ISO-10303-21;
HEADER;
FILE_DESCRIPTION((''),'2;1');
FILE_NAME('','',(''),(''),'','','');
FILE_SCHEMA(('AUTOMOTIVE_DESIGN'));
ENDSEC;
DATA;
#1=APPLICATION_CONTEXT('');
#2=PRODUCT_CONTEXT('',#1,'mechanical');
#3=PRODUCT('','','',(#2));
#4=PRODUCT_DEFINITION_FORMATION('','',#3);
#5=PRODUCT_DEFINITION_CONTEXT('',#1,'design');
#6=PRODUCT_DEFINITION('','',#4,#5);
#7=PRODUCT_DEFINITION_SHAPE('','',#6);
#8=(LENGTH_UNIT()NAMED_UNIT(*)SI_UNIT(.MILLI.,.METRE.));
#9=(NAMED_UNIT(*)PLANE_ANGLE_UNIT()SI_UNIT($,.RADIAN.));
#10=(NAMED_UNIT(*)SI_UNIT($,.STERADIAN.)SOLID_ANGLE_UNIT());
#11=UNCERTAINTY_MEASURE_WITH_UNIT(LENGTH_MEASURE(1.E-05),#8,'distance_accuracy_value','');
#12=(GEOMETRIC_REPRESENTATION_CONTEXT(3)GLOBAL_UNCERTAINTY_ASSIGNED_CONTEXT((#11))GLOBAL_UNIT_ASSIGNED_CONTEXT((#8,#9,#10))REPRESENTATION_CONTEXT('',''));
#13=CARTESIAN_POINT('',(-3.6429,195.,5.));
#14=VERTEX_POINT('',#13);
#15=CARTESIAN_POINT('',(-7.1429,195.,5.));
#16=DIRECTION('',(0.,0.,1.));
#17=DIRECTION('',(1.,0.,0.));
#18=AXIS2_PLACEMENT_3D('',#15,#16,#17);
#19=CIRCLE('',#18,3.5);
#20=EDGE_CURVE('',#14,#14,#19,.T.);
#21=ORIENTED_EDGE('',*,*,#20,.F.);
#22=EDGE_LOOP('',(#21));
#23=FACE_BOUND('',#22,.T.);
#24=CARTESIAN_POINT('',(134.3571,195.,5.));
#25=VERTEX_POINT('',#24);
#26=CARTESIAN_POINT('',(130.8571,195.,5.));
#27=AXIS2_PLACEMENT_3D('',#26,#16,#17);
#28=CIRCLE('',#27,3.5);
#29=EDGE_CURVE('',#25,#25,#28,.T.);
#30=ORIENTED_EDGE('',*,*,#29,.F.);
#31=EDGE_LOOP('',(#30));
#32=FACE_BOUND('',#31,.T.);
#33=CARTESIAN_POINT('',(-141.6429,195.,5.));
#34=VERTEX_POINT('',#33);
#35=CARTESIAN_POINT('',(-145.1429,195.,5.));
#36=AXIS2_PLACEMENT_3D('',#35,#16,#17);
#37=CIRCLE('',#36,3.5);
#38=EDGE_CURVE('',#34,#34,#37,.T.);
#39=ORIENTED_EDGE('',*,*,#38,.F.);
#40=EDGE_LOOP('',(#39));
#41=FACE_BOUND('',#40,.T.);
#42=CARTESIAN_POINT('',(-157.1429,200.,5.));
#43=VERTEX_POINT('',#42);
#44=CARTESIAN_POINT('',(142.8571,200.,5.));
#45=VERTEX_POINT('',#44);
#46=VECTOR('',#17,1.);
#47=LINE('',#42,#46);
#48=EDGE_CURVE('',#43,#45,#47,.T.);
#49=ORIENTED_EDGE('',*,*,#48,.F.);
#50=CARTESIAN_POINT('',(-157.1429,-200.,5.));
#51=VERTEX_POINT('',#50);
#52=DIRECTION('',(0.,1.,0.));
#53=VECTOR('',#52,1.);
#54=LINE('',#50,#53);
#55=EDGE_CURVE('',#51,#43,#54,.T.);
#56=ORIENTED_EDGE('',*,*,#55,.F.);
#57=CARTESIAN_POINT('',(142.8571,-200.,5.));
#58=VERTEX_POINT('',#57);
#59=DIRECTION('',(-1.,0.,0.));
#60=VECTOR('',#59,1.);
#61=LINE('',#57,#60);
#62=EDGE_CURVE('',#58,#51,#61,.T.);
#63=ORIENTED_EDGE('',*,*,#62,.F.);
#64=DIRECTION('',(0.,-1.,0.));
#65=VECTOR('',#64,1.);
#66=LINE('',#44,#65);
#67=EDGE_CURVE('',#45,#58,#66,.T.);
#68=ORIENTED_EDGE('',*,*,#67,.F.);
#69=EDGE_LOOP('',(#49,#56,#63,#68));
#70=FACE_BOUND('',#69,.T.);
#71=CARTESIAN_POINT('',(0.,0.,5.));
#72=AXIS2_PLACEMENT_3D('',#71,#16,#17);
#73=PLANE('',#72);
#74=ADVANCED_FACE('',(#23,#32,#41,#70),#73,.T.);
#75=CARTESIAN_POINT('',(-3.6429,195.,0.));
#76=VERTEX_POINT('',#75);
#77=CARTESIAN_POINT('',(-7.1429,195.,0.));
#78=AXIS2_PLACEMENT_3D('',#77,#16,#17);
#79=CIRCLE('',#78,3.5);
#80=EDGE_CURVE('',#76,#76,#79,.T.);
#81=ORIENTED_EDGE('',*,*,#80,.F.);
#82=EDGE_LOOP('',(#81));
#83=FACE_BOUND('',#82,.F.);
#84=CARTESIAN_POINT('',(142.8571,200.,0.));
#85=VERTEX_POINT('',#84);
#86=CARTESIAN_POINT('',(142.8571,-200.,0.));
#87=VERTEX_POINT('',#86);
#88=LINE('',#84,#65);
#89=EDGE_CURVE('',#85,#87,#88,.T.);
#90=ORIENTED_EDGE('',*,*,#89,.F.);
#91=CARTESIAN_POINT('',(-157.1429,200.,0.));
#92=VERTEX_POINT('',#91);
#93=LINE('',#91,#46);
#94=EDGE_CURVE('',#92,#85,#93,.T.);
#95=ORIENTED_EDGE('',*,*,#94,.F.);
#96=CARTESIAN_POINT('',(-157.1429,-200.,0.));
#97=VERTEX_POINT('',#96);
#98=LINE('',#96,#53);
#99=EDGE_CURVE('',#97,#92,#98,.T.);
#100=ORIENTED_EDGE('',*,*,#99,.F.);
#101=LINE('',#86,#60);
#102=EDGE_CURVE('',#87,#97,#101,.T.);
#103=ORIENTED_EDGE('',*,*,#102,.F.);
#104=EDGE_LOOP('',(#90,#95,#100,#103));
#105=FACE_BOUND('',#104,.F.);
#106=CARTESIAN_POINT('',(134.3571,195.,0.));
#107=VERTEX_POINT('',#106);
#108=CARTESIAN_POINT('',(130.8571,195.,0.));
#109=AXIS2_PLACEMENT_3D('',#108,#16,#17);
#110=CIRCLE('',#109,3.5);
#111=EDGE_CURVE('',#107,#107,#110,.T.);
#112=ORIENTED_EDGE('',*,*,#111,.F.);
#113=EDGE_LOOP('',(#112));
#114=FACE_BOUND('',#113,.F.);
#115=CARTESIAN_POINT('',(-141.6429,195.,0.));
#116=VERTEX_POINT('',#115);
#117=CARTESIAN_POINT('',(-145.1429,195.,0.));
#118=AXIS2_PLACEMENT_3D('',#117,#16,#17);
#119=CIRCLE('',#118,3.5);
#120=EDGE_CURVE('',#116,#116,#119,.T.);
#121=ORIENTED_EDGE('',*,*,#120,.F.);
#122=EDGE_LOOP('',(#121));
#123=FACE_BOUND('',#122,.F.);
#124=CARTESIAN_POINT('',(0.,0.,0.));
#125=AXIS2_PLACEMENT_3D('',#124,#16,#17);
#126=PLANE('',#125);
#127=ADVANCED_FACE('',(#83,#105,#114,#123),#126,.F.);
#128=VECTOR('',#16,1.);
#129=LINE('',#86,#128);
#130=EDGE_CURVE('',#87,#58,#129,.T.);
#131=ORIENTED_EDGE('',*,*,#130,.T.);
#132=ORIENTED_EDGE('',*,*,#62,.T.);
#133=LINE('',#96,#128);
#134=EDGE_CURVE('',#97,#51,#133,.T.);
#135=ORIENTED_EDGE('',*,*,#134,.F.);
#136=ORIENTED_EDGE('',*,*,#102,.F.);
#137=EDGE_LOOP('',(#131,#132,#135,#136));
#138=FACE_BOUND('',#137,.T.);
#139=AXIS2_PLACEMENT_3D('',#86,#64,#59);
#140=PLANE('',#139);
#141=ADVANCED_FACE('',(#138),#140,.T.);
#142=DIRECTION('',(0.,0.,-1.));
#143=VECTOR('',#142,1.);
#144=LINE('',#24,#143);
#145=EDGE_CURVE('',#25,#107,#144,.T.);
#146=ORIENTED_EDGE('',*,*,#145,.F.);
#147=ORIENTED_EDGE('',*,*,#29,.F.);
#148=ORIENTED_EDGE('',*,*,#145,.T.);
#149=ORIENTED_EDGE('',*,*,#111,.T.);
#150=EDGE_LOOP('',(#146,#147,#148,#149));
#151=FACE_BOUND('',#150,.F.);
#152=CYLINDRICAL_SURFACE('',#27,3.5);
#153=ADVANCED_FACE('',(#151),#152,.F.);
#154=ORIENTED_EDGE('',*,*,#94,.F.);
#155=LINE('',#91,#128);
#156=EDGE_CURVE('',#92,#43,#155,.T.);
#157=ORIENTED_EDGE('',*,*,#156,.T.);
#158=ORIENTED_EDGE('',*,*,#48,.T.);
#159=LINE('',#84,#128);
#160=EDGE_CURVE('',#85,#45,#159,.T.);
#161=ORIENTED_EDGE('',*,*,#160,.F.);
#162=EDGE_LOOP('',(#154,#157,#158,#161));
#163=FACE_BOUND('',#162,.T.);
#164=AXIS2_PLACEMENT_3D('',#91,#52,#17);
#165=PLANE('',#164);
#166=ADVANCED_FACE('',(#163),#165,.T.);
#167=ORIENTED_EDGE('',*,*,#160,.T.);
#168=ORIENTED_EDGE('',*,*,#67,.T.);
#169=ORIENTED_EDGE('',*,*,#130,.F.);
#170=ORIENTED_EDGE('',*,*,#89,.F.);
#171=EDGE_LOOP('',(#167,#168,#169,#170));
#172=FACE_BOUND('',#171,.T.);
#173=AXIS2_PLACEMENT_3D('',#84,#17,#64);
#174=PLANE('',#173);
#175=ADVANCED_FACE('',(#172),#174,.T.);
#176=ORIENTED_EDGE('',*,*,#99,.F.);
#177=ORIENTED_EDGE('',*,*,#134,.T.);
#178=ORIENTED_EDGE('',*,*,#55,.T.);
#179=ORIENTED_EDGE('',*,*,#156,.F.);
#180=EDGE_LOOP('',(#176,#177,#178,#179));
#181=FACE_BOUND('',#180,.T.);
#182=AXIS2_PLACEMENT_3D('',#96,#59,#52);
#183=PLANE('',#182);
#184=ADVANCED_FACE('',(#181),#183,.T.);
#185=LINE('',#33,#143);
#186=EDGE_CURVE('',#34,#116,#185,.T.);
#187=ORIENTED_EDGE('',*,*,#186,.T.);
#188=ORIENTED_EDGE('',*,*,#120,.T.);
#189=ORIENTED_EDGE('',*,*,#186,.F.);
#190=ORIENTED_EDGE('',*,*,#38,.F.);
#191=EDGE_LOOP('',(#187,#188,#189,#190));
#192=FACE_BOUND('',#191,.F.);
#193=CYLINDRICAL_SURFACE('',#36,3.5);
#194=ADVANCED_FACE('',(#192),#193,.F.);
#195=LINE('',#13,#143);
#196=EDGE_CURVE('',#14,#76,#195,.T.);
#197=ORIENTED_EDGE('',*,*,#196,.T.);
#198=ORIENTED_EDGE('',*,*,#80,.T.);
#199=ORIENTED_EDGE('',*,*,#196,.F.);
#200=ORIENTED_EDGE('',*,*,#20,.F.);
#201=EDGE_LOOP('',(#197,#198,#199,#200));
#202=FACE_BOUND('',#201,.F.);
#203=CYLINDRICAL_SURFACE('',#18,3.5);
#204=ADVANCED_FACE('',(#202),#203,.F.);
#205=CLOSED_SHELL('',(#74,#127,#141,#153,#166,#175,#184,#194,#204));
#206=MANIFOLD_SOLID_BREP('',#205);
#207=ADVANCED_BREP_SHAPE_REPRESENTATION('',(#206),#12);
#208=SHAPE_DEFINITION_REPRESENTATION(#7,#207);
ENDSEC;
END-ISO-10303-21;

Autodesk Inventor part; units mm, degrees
ref_plane "YZ Plane" through (0, 0, 0) normal (1, 0, 0) x (0, 1, 0)
ref_plane "XZ Plane" through (0, 0, 0) normal (0, 1, 0) x (-1, 0, 0)
ref_plane "XY Plane" through (0, 0, 0) normal (0, 0, 1) x (1, 0, 0)
sketch "Sketch1" plane through (0, 0, 0) normal (0, 0, 1) x (1, 0, 0)
  line L0 (-157.1429, 200) -> (142.8571, 200)
  line L1 (142.8571, 200) -> (142.8571, -200)
  line L2 (142.8571, -200) -> (-157.1429, -200)
  line L3 (-157.1429, -200) -> (-157.1429, 200)
  point P0 (0, 0)
  dimension "d0" = 400
  dimension "d1" = 300
  dimension "d2" = 142.8571
  dimension "d3" = 200
extrude "Extrusion1" add sketch "Sketch1" along normal blind 5
sketch "Sketch3" plane through (0, 0, 5) normal (0, 0, 1) x (1, 0, 0)
  circle A0 centre (130.8571, 195) radius 3.5
  circle A1 centre (-145.1429, 195) radius 3.5
  circle A2 centre (-7.1429, 195) radius 3.5
  line L0 (142.8571, -200) -> (142.8571, 200) projected
  line L1 (-157.1429, 200) -> (-157.1429, -200) projected
  line L2 (142.8571, 200) -> (-157.1429, 200) projected
  point P0 (0, 0)
  dimension "d6" = 7
  dimension "d7" = 7
  dimension "d8" = 7
  dimension "d9" = 12
  dimension "d10" = 12
  dimension "d11" = 150
  dimension "d12" = 5
  dimension "d13" = 5
  dimension "d14" = 5
extrude "Extrusion2" cut sketch "Sketch3" against normal blind 10
properties part number "Perspex shield" material "Glass"
